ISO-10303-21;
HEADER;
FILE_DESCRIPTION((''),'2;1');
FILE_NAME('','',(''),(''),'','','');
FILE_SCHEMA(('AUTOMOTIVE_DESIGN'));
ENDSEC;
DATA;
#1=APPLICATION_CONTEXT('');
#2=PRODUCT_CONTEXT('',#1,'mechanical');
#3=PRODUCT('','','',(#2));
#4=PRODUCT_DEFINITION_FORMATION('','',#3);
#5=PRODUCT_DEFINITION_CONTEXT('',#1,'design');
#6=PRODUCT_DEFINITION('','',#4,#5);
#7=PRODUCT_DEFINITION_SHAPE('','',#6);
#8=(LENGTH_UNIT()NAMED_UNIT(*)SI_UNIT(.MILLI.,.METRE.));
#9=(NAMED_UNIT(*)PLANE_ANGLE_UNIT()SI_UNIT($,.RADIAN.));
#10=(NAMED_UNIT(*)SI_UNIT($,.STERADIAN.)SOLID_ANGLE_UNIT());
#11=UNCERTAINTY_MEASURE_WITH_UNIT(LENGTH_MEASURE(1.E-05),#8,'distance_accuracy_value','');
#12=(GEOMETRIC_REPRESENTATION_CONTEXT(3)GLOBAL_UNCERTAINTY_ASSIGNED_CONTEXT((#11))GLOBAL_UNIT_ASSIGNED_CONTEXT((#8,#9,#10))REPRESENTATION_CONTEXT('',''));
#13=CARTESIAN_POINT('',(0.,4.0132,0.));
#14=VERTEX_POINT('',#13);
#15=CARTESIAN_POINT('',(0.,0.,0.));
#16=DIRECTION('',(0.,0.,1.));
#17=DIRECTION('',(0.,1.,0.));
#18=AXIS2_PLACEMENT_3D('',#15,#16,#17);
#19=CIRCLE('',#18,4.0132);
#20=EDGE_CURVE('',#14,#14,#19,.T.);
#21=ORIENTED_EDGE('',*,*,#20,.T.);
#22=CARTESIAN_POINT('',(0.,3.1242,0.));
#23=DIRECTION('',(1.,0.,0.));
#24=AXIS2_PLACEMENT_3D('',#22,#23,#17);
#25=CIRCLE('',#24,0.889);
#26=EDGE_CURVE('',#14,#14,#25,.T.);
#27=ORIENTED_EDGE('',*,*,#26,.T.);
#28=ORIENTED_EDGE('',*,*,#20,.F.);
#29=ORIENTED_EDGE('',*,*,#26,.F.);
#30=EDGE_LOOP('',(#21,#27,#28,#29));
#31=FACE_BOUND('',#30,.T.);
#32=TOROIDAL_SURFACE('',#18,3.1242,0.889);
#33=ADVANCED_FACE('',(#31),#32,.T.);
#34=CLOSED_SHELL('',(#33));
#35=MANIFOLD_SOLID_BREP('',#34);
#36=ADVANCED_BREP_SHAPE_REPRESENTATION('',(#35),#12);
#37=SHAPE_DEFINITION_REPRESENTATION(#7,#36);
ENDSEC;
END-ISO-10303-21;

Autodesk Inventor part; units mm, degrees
ref_plane "YZ Plane" through (0, 0, 0) normal (1, 0, 0) x (0, 1, 0)
ref_plane "XZ Plane" through (0, 0, 0) normal (0, 1, 0) x (-1, 0, 0)
ref_plane "XY Plane" through (0, 0, 0) normal (0, 0, 1) x (1, 0, 0)
sketch "Sketch1" plane through (0, 0, 0) normal (1, 0, 0) x (0, 1, 0)
  circle A0 centre (3.1242, 0) radius 0.889
  line L0 (0, 0) -> (0, 1.6314)
  dimension "d0" = 1.778
  dimension "d1" = 3.1242
revolve "Revolution1" add sketch "Sketch1" angle 360 about axis through (0, 0, 0) along (0, 0, 1)
properties part number "ORingA70_.176ID_.316OD" material "Rubber, Nitrile"
